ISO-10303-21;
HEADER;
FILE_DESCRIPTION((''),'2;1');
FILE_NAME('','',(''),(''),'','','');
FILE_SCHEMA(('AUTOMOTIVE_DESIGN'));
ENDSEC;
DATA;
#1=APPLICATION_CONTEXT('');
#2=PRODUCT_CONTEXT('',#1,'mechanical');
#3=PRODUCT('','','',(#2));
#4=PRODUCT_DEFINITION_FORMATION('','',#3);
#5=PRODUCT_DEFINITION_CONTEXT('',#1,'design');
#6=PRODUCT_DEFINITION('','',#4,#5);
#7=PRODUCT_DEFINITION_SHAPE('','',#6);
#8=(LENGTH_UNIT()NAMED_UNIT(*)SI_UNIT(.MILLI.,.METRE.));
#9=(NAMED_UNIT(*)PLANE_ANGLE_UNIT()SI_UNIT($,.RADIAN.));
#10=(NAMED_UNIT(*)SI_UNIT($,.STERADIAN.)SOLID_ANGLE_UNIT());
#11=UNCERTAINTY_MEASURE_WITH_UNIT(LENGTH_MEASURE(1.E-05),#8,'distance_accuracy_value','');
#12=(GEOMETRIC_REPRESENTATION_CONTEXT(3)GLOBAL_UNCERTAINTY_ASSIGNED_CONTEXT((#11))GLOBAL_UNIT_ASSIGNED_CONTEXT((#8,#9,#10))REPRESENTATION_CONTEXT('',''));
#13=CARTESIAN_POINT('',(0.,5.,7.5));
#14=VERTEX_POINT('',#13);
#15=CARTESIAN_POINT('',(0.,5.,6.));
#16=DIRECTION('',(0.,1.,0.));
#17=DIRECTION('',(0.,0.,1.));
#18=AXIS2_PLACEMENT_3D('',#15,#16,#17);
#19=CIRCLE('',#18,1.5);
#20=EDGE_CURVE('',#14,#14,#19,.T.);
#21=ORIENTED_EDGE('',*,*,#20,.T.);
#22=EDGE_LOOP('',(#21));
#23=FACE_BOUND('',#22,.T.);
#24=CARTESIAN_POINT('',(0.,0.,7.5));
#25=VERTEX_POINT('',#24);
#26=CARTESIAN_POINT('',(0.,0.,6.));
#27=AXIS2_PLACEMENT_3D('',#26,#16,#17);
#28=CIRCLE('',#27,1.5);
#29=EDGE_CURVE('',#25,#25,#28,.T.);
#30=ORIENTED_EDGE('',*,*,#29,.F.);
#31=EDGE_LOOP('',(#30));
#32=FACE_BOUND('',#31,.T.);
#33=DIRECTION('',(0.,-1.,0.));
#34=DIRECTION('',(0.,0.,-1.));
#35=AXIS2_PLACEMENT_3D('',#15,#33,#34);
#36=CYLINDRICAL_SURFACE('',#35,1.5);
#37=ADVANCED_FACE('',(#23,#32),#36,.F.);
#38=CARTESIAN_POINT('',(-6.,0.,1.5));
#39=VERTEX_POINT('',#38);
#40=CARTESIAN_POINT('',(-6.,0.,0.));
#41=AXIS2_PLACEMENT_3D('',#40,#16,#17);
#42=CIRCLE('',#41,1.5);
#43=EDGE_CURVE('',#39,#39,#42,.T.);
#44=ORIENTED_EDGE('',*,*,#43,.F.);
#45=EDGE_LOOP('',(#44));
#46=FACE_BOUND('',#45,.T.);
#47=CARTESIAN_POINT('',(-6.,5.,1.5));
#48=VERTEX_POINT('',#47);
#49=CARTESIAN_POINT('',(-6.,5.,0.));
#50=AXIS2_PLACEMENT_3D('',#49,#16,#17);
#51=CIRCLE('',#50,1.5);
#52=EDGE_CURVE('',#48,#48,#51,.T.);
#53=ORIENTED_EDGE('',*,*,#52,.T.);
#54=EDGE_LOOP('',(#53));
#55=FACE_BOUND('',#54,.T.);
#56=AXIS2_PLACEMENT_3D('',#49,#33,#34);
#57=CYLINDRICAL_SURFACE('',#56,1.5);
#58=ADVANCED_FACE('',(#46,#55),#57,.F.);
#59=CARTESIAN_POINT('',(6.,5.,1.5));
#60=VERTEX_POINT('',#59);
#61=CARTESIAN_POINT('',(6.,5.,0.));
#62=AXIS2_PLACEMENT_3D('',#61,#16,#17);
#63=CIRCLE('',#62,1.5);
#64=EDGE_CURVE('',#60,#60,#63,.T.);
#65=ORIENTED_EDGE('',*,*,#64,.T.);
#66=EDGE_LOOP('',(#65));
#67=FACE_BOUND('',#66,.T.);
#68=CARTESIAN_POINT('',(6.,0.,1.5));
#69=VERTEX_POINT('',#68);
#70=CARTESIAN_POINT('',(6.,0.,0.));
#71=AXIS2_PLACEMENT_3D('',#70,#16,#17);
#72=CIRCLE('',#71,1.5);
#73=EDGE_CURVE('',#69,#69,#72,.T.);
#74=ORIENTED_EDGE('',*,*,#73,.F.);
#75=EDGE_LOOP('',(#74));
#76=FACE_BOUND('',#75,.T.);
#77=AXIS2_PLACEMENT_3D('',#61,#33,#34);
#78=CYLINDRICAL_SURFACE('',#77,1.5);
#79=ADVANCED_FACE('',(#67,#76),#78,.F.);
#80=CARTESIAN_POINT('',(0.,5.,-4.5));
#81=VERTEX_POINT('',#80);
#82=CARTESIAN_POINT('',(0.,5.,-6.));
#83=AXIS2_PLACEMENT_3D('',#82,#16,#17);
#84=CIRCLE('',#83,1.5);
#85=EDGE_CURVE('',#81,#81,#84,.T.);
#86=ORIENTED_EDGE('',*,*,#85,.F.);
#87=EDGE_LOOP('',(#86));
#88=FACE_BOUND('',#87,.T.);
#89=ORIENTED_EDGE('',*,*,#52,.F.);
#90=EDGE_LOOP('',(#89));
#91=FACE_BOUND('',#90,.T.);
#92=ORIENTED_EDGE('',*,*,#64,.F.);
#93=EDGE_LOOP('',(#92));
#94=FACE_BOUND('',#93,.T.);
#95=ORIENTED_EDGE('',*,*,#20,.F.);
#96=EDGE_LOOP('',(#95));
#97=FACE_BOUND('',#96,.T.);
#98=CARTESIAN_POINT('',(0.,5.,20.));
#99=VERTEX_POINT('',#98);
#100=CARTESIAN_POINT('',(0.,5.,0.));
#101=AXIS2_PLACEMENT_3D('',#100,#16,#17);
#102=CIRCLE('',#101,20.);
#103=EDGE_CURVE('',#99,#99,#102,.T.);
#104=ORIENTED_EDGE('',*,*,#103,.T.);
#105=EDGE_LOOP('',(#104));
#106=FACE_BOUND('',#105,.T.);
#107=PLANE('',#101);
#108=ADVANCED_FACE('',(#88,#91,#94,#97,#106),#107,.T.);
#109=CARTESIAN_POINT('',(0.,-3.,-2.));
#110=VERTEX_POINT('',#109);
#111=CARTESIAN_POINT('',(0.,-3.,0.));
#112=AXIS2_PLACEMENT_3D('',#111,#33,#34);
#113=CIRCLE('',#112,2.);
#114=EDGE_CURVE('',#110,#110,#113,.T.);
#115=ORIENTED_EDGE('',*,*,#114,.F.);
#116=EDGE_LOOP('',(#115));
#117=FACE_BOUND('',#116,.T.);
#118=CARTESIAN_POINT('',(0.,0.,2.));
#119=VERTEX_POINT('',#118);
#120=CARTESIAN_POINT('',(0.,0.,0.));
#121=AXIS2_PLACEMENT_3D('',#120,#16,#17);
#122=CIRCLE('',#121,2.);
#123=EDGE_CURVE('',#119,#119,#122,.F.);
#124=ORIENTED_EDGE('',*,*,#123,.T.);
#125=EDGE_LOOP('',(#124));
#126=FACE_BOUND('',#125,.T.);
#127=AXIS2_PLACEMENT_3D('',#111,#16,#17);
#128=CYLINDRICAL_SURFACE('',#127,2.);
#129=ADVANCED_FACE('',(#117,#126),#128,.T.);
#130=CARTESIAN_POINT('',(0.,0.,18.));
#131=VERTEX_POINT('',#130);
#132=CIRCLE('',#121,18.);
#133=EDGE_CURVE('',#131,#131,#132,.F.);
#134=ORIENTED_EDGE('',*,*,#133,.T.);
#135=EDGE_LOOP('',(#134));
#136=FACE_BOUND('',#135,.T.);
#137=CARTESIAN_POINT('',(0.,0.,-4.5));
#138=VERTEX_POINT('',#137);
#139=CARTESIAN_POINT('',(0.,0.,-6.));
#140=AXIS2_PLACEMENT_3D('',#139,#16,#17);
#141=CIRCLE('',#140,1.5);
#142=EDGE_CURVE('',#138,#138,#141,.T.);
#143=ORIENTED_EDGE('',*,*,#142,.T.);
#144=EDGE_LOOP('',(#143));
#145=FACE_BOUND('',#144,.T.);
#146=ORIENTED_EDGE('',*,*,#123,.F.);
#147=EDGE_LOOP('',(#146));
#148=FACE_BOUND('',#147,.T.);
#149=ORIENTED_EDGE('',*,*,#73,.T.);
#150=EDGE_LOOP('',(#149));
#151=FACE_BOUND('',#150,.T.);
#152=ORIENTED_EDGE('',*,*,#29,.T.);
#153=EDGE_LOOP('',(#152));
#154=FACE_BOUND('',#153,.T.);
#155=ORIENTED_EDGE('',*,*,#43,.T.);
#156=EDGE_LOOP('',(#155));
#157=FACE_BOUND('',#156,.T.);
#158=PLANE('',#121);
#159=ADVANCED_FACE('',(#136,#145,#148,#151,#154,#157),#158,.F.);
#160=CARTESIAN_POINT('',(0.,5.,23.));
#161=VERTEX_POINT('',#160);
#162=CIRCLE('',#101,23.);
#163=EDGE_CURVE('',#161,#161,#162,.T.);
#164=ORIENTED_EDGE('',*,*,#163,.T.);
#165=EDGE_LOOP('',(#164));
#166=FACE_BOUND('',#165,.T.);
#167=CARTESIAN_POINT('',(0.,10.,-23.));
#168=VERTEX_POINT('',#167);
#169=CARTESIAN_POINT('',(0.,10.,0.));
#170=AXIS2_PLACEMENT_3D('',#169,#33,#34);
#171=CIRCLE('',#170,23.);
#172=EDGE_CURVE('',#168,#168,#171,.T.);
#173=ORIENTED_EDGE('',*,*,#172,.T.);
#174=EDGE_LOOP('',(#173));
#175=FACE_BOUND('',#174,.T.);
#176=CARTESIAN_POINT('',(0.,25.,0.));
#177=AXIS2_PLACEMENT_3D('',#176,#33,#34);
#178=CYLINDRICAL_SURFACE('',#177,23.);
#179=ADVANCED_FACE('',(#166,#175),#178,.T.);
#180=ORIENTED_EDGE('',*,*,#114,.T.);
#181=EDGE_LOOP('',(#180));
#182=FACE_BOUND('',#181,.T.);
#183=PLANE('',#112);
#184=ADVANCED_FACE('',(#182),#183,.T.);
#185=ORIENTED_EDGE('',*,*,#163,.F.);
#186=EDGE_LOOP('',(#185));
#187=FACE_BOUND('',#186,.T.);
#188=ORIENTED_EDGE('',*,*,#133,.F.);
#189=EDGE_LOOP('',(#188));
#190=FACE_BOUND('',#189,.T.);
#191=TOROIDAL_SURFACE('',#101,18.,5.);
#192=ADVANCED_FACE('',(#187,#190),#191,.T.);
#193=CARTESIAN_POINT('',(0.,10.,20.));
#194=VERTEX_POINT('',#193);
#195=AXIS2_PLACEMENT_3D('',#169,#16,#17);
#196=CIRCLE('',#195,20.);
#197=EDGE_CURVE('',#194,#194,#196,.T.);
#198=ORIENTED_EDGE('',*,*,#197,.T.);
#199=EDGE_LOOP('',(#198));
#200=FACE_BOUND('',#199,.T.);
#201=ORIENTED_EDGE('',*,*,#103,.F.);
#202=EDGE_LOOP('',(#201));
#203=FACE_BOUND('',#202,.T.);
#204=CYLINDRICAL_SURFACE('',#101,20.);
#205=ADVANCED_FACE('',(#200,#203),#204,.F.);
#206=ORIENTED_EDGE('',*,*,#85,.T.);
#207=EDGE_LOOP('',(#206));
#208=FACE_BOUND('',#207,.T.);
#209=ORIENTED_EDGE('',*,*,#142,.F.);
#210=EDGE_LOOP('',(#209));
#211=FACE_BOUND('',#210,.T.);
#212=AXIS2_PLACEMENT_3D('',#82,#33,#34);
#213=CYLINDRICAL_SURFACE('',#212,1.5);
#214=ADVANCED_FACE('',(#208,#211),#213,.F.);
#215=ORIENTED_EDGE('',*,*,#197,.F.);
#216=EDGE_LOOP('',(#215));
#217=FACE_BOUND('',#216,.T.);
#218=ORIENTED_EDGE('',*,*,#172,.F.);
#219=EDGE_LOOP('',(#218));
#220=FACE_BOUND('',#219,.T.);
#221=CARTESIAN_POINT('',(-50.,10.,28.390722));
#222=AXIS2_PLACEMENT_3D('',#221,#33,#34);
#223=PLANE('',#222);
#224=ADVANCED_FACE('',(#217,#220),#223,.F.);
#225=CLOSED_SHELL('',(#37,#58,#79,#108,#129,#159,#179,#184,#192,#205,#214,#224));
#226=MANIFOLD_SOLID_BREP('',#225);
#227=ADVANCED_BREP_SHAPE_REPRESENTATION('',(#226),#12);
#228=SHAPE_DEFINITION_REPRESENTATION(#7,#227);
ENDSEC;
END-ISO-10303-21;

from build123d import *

# Parameters (mm, degrees)
SKETCH6_R           = 23
BOSS_EXTRUDE3_DEPTH = 25
SKETCH7_R           = 1.5
CUT_EXTRUDE2_DEPTH  = 5
SKETCH8_R           = 1.25
CUT_EXTRUDE3_DEPTH  = 5
SKETCH9_R           = 4
BOSS_EXTRUDE4_DEPTH = 2
SKETCH10_R          = 2
BOSS_EXTRUDE5_DEPTH = 3
FILLET1_R           = 5
FILLET2_R           = 2
SKETCH11_W          = 58.747444177
SKETCH11_H          = 21.595633685
CUT_EXTRUDE4_DEPTH  = 50
SKETCH12_R          = 20
CUT_EXTRUDE5_DEPTH  = 5


with BuildPart() as part:
    # Sketch6 → Boss-Extrude3 (new body)
    with BuildSketch(Plane(origin=(0, 0, 0), x_dir=(1, 0, 0), z_dir=(0, 1, 0))):
        with Locations(Location((0, 0, 0), (0, 0, 270))):
            Circle(SKETCH6_R)
    extrude(amount=BOSS_EXTRUDE3_DEPTH)

    # Sketch7 → Cut-Extrude2 (cut)
    with BuildSketch(Plane(origin=(0, 0, 0), x_dir=(1, 0, 0), z_dir=(0, 1, 0))):
        with Locations(Location((-6, 0, 0), (0, 0, 270))):
            Circle(SKETCH7_R)
        with Locations(Location((0, 6, 0), (0, 0, 270))):
            Circle(SKETCH7_R)
        with Locations(Location((6, 0, 0), (0, 0, 270))):
            Circle(SKETCH7_R)
        with Locations(Location((0, -6, 0), (0, 0, 270))):
            Circle(SKETCH7_R)
    extrude(amount=CUT_EXTRUDE2_DEPTH, mode=Mode.SUBTRACT)

    # Sketch8 → Cut-Extrude3 (cut)
    with BuildSketch(Plane(origin=(0, 25, 0), x_dir=(1, 0, 0), z_dir=(0, 1, 0))):
        with Locations(Location((-13.856406461, -8, 0), (0, 0, 270))):
            Circle(SKETCH8_R)
        with Locations(Location((0, 16, 0), (0, 0, 270))):
            Circle(SKETCH8_R)
        with Locations(Location((13.856406461, -8, 0), (0, 0, 270))):
            Circle(SKETCH8_R)
    extrude(amount=-CUT_EXTRUDE3_DEPTH, mode=Mode.SUBTRACT)

    # Sketch9 → Boss-Extrude4 (add)
    with BuildSketch(Plane(origin=(0, 25, 0), x_dir=(1, 0, 0), z_dir=(0, 1, 0))):
        with Locations(Location((0, 0, 0), (0, 0, 270))):
            Circle(SKETCH9_R)
    extrude(amount=BOSS_EXTRUDE4_DEPTH)

    # Sketch10 → Boss-Extrude5 (add)
    with BuildSketch(Plane.XZ):
        with Locations(Location((0, 0, 0), (0, 0, 90))):
            Circle(SKETCH10_R)
    extrude(amount=BOSS_EXTRUDE5_DEPTH)

    # Fillet1
    fillet1_edges = [part.edges().sort_by_distance(p)[0] for p in [
        (0, 0, -23),
    ]]
    fillet(fillet1_edges, radius=FILLET1_R)

    # Fillet2
    fillet2_edges = [part.edges().sort_by_distance(p)[0] for p in [
        (0, 25, -23),
    ]]
    fillet(fillet2_edges, radius=FILLET2_R)

    # Sketch11 → Cut-Extrude4 (cut, symmetric)
    with BuildSketch(Plane(origin=(0, 0, 0), x_dir=(0, 0, -1), z_dir=(1, 0, 0))):
        with Locations((0.983000007, 20.797816843)):
            Rectangle(SKETCH11_W, SKETCH11_H)
    extrude(amount=CUT_EXTRUDE4_DEPTH, both=True, mode=Mode.SUBTRACT)

    # Sketch12 → Cut-Extrude5 (cut)
    with BuildSketch(Plane(origin=(0, 10, 0), x_dir=(1, 0, 0), z_dir=(0, 1, 0))):
        with Locations(Location((0, 0, 0), (0, 0, 270))):
            Circle(SKETCH12_R)
    extrude(amount=-CUT_EXTRUDE5_DEPTH, mode=Mode.SUBTRACT)


solid = part.part
